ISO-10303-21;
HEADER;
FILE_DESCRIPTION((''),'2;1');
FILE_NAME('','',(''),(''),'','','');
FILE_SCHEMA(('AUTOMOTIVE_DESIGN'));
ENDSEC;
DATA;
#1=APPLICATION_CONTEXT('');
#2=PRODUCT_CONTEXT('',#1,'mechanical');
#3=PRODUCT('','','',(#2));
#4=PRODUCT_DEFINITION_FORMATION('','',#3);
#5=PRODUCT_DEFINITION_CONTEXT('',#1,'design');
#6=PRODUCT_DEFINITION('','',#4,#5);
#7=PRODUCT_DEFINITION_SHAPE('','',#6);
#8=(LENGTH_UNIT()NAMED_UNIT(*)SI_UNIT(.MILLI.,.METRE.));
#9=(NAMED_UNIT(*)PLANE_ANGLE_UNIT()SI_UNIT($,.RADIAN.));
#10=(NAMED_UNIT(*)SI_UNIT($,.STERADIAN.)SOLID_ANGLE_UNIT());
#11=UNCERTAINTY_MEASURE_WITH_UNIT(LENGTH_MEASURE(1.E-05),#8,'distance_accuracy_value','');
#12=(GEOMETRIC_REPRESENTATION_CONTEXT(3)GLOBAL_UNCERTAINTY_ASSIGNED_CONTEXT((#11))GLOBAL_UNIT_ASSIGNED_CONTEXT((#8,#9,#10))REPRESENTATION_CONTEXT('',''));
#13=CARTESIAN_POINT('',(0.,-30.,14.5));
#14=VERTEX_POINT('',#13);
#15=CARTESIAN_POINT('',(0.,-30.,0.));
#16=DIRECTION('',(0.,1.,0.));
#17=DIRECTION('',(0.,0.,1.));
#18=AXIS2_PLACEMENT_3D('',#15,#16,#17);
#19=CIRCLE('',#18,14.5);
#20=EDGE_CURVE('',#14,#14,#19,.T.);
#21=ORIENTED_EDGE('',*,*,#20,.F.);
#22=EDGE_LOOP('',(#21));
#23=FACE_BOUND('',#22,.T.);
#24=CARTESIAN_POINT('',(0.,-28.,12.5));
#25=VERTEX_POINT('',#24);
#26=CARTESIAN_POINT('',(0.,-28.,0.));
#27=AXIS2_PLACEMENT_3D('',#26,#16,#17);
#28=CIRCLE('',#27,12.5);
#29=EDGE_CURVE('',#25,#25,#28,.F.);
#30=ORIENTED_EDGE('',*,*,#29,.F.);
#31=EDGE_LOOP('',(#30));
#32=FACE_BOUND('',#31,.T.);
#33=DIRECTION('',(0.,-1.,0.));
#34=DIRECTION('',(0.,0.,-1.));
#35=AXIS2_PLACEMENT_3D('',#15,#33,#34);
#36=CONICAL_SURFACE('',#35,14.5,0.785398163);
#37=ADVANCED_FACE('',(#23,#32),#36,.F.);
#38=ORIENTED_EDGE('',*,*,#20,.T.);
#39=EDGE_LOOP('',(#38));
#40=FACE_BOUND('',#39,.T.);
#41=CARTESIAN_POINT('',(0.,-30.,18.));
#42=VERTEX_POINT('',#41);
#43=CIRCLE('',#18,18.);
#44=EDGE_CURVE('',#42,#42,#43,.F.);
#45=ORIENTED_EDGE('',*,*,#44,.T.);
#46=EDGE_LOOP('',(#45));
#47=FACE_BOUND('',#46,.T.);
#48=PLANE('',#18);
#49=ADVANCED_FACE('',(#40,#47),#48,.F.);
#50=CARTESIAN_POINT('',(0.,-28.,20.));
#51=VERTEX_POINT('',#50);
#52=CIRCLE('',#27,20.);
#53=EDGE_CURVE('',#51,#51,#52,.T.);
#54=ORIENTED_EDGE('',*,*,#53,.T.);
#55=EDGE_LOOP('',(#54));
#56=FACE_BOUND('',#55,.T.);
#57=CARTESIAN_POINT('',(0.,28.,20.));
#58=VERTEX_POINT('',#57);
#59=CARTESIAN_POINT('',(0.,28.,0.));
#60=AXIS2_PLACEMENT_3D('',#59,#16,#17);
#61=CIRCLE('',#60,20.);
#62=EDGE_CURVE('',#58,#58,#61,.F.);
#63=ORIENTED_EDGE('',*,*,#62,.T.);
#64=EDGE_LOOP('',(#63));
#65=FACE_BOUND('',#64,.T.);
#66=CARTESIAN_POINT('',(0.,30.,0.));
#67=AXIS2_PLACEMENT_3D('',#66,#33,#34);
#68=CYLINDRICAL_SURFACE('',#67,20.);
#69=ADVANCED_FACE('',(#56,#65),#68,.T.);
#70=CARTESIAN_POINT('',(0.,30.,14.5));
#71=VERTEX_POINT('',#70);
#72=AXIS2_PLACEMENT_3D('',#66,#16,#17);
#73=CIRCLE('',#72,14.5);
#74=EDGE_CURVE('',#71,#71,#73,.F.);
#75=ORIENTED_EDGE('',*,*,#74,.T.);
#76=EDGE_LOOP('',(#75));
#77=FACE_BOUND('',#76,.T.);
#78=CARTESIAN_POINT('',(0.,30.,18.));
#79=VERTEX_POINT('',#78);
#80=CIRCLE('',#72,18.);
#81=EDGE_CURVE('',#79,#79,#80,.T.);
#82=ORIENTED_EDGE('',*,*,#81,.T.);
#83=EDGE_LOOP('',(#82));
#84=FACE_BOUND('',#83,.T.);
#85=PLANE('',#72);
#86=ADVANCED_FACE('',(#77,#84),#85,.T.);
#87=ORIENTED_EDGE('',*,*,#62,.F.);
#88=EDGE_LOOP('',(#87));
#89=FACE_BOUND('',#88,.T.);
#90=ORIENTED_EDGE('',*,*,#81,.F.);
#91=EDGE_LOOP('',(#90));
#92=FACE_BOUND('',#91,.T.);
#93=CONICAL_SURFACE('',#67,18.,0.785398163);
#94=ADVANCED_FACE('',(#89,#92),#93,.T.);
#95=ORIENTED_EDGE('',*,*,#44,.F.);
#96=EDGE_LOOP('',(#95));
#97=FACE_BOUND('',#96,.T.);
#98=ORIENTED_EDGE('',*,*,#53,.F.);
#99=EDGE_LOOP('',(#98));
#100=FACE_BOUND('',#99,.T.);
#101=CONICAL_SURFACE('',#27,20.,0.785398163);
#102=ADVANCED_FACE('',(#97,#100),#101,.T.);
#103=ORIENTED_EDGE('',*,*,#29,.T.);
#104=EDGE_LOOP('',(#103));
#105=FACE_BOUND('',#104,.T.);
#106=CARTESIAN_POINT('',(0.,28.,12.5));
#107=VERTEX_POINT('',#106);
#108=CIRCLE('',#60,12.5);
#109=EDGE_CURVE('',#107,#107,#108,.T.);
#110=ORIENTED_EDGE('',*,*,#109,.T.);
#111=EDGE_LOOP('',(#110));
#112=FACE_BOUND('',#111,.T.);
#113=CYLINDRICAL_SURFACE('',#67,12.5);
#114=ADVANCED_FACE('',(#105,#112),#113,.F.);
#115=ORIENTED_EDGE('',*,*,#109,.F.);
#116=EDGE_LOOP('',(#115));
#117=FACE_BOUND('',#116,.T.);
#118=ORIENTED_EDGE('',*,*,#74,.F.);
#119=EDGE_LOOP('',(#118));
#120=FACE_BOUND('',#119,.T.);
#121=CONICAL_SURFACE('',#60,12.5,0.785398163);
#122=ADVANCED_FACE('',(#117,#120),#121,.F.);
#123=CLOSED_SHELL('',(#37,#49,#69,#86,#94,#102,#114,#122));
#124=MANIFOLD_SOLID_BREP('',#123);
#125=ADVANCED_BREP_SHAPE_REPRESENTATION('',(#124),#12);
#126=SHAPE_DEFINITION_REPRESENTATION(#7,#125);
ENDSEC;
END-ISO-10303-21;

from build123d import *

# Parameters (mm, degrees)
SKETCH1_R           = 20
SKETCH1_R_2         = 12.5
BOSS_EXTRUDE1_DEPTH = 30
CHAMFER1_SIZE       = 2
CHAMFER2_SIZE       = 2
CHAMFER3_SIZE       = 2
CHAMFER4_SIZE       = 2


with BuildPart() as part:
    # Sketch1 → Boss-Extrude1 (new body, symmetric)
    with BuildSketch(Plane(origin=(0, 0, 0), x_dir=(1, 0, 0), z_dir=(0, 1, 0))):
        Circle(SKETCH1_R)
        Circle(SKETCH1_R_2, mode=Mode.SUBTRACT)
    extrude(amount=BOSS_EXTRUDE1_DEPTH, both=True)

    # Chamfer1
    chamfer1_edges = [part.edges().sort_by_distance(p)[0] for p in [
        (-20, 30, 0),
    ]]
    chamfer(chamfer1_edges, length=CHAMFER1_SIZE)

    # Chamfer2
    chamfer2_edges = [part.edges().sort_by_distance(p)[0] for p in [
        (-12.5, 30, 0),
    ]]
    chamfer(chamfer2_edges, length=CHAMFER2_SIZE)

    # Chamfer3
    chamfer3_edges = [part.edges().sort_by_distance(p)[0] for p in [
        (-20, -30, 0),
    ]]
    chamfer(chamfer3_edges, length=CHAMFER3_SIZE)

    # Chamfer4
    chamfer4_edges = [part.edges().sort_by_distance(p)[0] for p in [
        (-12.5, -30, 0),
    ]]
    chamfer(chamfer4_edges, length=CHAMFER4_SIZE)


solid = part.part
